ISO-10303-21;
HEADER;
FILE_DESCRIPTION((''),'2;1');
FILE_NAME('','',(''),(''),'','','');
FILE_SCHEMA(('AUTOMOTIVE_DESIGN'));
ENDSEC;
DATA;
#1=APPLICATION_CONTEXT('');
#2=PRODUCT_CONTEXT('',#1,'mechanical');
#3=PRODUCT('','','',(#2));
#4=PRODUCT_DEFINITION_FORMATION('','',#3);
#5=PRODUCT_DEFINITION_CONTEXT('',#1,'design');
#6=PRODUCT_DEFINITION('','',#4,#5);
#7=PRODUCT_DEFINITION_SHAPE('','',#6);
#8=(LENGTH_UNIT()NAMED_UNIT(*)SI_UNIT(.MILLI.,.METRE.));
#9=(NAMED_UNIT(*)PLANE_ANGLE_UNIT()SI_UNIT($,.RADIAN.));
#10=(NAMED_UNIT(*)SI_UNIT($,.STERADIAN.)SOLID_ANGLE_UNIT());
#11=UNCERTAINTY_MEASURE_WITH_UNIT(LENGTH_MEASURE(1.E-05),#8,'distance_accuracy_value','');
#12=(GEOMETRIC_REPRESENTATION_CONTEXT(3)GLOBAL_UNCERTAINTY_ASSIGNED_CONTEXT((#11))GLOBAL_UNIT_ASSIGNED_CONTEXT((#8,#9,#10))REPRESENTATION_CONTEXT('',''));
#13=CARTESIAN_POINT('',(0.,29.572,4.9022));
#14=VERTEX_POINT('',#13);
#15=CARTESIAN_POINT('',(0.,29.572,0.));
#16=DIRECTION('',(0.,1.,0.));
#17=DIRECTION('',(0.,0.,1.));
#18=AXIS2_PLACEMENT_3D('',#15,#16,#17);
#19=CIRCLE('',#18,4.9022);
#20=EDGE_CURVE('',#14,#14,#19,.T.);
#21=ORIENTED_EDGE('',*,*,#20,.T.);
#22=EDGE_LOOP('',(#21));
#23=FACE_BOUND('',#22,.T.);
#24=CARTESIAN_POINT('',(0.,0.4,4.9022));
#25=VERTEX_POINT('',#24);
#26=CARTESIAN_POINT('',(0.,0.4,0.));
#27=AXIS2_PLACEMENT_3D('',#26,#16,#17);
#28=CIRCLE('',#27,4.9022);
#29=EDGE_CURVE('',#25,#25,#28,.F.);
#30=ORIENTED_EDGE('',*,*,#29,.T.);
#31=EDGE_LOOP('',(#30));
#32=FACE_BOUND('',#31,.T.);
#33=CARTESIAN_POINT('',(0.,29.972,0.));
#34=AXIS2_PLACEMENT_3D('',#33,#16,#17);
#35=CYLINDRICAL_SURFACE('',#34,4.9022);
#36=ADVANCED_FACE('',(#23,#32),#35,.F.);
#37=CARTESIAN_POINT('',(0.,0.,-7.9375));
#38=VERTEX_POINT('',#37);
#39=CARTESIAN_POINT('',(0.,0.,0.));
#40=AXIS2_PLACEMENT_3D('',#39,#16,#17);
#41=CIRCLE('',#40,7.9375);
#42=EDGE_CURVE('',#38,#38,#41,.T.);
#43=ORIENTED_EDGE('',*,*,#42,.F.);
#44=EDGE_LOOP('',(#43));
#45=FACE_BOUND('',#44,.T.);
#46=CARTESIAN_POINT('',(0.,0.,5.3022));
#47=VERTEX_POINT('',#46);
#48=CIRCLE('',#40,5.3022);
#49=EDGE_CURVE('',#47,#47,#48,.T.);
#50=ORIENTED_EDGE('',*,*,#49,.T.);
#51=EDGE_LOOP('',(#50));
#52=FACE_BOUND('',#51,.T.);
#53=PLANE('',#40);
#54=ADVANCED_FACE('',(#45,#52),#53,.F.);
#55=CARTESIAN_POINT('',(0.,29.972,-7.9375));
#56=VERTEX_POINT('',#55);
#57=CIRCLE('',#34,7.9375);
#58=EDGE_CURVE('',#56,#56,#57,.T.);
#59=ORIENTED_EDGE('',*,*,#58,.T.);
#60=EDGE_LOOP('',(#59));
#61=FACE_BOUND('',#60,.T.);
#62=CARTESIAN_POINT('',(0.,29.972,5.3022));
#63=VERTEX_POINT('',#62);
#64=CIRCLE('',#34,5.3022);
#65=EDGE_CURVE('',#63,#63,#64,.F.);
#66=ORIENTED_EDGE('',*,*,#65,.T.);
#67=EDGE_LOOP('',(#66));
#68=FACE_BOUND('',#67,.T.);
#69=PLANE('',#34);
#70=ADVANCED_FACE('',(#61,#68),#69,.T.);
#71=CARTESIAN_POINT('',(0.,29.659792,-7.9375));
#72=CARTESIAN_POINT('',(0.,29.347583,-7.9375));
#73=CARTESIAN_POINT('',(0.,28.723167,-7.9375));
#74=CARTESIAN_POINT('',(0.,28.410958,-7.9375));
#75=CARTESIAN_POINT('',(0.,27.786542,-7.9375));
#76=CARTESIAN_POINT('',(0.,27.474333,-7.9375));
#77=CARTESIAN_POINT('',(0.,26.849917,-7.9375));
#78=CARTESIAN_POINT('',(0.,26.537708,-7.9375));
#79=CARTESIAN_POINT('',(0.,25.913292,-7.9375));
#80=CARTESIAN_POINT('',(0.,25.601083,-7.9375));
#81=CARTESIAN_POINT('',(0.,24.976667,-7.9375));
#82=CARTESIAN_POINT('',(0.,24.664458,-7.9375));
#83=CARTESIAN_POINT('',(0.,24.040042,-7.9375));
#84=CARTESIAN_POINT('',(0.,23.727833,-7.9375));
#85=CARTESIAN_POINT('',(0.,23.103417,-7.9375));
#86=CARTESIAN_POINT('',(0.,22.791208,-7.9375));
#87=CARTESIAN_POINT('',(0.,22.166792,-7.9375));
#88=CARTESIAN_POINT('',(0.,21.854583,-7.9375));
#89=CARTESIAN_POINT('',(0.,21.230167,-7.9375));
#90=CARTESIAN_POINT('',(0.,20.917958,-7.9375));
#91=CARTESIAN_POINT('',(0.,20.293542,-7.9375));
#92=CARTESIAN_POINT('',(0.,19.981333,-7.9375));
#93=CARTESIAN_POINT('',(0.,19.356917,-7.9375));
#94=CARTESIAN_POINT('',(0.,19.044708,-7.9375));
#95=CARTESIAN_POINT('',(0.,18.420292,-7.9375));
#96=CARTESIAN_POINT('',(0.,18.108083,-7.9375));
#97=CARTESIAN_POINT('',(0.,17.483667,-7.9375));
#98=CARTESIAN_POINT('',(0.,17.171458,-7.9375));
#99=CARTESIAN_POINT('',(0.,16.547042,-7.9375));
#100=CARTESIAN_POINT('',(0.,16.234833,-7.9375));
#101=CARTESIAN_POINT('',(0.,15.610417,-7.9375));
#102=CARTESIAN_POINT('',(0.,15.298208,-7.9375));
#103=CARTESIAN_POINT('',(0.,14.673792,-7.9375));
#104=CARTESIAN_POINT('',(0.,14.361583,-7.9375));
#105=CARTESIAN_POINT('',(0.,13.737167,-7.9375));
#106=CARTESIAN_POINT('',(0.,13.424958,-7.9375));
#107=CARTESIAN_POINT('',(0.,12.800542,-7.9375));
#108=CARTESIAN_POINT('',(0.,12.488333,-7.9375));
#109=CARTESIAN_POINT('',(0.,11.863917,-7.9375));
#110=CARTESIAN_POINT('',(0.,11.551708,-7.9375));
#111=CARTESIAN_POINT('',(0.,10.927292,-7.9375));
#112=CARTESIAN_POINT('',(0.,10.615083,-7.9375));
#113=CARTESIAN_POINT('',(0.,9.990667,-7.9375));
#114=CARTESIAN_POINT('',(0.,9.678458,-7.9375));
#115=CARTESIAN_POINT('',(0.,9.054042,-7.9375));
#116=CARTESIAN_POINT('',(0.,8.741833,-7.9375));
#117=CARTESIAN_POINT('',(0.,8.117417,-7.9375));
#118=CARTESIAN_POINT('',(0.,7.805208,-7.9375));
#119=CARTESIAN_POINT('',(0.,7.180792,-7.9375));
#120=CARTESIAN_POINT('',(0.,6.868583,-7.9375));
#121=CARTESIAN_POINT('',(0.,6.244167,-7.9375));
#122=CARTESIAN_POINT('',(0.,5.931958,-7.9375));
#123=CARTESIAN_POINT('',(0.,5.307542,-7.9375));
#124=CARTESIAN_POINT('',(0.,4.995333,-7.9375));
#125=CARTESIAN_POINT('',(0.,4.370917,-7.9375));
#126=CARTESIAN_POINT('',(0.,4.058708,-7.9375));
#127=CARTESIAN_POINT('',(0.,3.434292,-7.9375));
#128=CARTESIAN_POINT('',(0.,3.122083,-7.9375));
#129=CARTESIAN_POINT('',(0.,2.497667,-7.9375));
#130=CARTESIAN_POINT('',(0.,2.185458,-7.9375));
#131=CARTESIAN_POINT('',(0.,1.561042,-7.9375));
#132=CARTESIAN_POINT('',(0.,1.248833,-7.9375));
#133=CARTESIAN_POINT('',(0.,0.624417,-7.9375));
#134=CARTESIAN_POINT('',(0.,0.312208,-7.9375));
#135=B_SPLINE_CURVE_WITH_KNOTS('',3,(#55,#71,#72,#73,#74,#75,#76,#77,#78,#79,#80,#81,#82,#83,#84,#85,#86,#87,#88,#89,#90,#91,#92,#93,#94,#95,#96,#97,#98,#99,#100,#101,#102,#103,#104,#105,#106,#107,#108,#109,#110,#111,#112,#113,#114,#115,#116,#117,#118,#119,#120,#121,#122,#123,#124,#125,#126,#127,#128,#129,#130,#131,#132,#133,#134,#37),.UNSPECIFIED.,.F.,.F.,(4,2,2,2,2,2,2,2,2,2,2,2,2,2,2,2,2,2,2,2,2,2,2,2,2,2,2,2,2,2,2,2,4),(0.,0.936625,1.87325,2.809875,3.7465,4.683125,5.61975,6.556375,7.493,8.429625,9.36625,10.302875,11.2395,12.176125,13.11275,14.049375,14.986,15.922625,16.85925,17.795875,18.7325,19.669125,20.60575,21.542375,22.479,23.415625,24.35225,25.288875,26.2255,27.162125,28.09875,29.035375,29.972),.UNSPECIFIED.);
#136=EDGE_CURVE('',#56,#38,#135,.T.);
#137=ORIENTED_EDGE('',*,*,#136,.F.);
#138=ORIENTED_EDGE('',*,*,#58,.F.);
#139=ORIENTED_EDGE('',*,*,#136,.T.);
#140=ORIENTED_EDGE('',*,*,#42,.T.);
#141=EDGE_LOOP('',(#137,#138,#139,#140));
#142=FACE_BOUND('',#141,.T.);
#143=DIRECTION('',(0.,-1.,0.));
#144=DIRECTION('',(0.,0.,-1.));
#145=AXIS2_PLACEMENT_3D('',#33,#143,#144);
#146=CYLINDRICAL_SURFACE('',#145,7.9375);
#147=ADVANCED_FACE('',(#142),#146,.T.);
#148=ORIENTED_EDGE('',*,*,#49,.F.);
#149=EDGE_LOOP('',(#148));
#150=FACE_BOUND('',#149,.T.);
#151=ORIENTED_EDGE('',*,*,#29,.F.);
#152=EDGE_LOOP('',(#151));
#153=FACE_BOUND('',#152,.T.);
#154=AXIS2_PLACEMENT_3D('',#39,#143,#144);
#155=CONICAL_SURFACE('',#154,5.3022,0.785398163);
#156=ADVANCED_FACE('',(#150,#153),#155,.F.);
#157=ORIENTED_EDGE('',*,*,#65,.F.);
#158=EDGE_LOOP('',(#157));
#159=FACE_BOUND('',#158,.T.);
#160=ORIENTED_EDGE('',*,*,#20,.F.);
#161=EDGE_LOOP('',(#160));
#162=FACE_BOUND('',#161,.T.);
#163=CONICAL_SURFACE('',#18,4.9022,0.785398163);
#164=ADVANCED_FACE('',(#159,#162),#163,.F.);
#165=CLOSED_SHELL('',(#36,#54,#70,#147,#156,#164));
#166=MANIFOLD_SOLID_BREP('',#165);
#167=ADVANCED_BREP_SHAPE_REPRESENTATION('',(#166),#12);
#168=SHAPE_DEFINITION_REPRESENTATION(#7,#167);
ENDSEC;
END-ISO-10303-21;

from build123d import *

# Parameters (mm, degrees)
SKETCH1_R                = 7.9375
BOSS_EXTRUDE1_DEPTH      = 29.972
W_0_386_DIAMETER_HOLE1_D = 9.8044
CHAMFER1_SIZE            = 0.4


with BuildPart() as part:
    # Sketch1 → Boss-Extrude1 (new body)
    with BuildSketch(Plane(origin=(0, 0, 0), x_dir=(1, 0, 0), z_dir=(0, 1, 0))):
        with Locations(Location((0, 0, 0), (0, 0, 90))):
            Circle(SKETCH1_R)
    extrude(amount=BOSS_EXTRUDE1_DEPTH)

    # W (0.386) Diameter Hole1 (through all)
    with Locations(Plane(origin=(0, 29.972, 0), x_dir=(1, 0, 0), z_dir=(0, 1, 0))):
        with Locations((0, 0)):
            Hole(W_0_386_DIAMETER_HOLE1_D / 2)

    # Chamfer1
    chamfer1_edges = [part.edges().sort_by_distance(p)[0] for p in [
        (4.9022, 29.972, 0),
        (4.9022, 0, 0),
    ]]
    chamfer(chamfer1_edges, length=CHAMFER1_SIZE)


solid = part.part
